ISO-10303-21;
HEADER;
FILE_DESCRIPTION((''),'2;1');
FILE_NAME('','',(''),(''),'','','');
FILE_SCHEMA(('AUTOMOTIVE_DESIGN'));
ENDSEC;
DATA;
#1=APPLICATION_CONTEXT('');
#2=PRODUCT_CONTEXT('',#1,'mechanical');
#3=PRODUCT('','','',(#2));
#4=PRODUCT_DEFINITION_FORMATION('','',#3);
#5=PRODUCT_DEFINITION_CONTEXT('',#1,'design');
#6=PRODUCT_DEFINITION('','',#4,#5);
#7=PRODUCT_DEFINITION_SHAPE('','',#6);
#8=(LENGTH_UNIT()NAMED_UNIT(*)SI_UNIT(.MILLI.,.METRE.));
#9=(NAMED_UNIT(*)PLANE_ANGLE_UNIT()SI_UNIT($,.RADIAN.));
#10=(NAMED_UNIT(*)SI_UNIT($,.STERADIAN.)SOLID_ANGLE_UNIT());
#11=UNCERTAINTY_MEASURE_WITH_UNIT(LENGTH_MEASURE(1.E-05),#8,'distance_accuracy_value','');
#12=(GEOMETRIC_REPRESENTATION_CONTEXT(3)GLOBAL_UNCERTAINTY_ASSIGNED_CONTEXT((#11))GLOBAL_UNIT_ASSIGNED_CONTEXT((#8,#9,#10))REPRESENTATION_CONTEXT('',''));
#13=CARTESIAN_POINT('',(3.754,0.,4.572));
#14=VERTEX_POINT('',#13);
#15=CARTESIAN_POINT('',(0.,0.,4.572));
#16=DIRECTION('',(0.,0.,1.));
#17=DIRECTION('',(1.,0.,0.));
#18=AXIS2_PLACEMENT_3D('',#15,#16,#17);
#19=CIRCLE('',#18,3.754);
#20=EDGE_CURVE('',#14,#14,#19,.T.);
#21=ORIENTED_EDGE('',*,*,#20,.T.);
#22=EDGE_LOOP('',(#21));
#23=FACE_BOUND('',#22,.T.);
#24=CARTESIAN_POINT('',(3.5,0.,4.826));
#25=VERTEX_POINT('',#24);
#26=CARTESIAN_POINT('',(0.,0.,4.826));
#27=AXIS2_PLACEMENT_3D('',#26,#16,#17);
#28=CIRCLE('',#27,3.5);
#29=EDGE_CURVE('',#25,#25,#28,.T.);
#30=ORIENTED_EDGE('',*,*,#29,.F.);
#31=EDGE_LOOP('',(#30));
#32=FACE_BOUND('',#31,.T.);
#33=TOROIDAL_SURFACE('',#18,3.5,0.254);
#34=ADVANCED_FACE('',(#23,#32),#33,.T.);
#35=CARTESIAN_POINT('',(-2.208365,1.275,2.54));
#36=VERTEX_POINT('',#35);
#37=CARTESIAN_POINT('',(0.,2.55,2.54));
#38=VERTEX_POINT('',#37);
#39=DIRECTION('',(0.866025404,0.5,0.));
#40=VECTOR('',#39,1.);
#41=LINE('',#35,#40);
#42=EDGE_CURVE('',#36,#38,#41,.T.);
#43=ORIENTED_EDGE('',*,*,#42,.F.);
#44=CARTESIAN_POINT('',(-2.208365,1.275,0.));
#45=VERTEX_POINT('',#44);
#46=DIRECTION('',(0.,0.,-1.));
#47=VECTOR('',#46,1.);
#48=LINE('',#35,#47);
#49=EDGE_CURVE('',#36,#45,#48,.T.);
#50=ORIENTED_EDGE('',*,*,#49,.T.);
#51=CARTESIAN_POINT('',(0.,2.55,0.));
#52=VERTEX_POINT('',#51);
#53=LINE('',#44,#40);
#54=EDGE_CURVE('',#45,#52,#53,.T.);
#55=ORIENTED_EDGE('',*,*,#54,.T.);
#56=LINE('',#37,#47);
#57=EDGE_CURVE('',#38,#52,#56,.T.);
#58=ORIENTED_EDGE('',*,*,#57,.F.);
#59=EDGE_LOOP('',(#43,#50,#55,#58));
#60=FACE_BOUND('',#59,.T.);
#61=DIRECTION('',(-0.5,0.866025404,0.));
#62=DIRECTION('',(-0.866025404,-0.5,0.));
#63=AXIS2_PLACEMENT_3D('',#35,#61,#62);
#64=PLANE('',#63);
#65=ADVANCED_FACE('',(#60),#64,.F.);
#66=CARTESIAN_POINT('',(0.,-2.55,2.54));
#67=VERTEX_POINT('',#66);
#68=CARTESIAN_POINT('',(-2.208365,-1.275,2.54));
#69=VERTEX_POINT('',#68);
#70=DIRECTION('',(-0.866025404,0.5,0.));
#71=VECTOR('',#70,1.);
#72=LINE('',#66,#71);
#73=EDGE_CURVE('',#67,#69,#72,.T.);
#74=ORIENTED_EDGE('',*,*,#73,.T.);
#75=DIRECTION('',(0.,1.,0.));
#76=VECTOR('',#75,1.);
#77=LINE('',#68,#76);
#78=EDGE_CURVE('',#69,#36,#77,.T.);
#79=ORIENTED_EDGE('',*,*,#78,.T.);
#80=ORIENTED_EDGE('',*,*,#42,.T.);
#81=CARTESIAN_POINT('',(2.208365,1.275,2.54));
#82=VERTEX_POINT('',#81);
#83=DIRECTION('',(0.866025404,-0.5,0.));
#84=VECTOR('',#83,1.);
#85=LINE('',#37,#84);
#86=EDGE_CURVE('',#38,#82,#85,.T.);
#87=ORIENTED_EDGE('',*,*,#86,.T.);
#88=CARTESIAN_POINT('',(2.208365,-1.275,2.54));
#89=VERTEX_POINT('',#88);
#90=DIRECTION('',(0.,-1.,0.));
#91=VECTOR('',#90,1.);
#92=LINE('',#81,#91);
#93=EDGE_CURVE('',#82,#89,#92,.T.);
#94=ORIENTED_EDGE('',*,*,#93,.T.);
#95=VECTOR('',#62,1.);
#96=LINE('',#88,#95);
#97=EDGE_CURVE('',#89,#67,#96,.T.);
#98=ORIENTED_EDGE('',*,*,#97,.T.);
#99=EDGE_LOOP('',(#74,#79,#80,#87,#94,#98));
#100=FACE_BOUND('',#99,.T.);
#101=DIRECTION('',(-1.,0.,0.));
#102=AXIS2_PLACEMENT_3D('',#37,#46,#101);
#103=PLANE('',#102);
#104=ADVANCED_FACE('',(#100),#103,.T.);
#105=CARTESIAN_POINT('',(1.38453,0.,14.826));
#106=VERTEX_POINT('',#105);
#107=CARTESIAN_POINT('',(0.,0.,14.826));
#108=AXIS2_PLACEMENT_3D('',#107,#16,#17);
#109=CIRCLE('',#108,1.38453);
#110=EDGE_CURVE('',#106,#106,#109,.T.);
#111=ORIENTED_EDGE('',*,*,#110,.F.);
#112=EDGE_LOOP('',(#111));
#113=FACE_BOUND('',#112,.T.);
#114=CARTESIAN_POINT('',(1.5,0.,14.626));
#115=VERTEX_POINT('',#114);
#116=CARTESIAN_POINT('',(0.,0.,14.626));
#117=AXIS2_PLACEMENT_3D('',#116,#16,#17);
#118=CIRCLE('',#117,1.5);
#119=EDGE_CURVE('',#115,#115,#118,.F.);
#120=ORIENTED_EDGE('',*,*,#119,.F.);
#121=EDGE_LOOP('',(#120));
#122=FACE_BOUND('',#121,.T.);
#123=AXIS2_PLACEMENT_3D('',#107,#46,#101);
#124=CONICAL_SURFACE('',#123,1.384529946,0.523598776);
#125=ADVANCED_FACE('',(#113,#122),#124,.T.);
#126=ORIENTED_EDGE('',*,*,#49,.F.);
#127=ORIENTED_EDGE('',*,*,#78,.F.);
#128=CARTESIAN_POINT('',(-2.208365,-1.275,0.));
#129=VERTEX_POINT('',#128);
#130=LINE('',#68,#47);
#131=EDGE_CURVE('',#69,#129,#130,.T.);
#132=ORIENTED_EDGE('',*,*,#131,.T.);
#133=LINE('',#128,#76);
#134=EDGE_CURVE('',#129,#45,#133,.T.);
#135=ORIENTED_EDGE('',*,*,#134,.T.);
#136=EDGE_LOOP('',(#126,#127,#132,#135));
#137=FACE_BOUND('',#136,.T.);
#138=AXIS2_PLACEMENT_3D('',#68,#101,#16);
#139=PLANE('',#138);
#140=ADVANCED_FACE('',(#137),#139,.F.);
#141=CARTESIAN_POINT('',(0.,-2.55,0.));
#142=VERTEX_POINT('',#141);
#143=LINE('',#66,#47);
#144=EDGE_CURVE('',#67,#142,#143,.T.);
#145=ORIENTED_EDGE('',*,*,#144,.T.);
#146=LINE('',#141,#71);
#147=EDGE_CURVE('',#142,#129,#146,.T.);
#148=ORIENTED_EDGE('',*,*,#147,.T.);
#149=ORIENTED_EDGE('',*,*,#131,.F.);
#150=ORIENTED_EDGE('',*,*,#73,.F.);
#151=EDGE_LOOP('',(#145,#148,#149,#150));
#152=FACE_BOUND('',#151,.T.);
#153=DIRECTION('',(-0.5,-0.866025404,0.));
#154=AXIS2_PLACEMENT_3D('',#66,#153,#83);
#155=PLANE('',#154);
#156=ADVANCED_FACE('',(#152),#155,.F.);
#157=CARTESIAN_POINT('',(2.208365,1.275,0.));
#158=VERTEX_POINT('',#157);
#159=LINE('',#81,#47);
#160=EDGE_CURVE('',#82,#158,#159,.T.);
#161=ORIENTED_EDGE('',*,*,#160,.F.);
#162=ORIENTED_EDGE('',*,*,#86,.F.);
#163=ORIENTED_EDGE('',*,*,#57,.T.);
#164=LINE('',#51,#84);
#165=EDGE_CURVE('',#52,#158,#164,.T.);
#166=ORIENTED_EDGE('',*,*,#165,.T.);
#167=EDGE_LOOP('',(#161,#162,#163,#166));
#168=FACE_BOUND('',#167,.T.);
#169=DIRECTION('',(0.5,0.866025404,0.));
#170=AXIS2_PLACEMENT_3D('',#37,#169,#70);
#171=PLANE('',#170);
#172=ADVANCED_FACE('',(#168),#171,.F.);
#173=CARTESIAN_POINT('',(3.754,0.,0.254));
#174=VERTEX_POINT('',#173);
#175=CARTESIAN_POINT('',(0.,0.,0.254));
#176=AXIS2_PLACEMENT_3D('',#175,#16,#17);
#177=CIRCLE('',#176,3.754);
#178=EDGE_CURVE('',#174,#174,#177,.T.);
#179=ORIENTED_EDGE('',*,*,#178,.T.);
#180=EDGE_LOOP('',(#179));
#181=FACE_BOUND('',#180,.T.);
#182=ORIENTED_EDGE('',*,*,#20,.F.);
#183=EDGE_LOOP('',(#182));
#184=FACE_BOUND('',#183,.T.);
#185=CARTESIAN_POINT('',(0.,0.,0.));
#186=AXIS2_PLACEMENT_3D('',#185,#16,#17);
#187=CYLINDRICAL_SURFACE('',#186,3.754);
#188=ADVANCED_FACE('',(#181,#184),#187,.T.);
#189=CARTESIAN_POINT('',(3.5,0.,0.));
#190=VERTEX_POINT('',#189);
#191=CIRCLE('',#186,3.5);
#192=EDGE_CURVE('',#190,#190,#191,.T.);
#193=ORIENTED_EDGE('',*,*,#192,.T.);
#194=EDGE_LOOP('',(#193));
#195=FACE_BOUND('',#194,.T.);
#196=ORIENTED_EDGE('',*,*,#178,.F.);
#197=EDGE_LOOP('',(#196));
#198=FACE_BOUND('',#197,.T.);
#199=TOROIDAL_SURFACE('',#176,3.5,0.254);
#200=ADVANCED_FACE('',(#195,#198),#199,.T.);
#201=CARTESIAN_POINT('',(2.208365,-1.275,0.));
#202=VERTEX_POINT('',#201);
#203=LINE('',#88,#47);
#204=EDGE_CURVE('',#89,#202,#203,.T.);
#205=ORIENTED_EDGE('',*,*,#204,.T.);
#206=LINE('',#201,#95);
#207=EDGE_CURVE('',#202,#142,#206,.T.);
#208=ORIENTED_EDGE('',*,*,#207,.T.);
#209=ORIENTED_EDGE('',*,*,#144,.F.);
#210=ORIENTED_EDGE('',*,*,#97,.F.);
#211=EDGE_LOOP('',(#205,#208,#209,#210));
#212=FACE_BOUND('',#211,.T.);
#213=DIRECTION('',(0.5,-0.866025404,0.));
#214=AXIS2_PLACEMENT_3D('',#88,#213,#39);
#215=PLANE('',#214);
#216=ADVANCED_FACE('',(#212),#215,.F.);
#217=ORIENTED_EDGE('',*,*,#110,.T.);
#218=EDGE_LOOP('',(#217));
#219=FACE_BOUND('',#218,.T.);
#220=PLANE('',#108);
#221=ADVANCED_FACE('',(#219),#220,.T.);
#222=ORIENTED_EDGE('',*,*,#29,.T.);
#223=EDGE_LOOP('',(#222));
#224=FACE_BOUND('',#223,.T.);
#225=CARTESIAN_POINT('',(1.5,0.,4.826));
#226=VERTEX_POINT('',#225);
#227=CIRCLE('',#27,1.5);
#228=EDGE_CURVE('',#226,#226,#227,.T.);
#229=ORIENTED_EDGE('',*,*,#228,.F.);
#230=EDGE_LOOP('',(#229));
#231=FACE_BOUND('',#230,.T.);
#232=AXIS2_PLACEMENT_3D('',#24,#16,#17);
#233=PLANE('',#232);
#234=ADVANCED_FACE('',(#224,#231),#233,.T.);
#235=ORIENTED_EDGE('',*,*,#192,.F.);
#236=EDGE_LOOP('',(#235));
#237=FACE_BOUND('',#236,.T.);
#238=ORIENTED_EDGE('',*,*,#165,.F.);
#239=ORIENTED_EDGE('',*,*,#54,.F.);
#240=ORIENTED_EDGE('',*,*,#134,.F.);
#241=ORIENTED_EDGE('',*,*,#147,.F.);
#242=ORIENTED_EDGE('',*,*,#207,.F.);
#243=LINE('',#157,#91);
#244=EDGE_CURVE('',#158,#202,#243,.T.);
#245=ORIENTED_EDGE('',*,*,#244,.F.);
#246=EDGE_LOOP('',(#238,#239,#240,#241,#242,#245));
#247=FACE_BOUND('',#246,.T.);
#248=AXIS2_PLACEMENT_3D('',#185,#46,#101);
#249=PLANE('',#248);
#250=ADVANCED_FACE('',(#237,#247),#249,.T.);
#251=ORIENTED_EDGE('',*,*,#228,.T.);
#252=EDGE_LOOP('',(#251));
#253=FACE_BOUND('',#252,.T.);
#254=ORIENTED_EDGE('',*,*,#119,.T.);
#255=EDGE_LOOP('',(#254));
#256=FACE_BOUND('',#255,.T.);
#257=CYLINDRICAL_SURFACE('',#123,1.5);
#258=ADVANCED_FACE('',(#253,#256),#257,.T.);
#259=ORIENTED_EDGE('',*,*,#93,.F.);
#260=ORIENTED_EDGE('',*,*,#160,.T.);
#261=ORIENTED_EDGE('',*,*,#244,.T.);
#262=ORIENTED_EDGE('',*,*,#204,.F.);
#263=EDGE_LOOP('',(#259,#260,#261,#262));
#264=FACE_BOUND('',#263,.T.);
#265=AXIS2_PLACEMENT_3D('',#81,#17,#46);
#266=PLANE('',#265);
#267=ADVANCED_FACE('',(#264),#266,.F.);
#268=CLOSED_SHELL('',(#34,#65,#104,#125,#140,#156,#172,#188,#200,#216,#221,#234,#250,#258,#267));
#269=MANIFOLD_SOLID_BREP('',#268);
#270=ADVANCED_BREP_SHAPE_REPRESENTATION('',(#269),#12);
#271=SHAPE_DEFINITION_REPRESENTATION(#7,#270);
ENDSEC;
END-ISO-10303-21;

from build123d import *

# Parameters (mm, degrees)
CUT_EXTRUDE1_DEPTH  = 2.54
SKETCH3_R           = 1.5
BOSS_EXTRUDE1_DEPTH = 10
CHAMFER1_SIZE       = 0.2
CHAMFER1_SIZE2      = 0.115470054


with BuildPart() as part:
    # Sketch1 → Revolve1 (revolve)
    with BuildSketch(Plane(origin=(0, 0, 0), x_dir=(1, 0, 0), z_dir=(0, 1, 0))):
        with BuildLine():
            Line((0, 0), (3.5, 0))
            ThreePointArc((3.5, 0), (3.679605122, -0.074394878), (3.754, -0.254))
            Line((3.754, -0.254), (3.754, -4.572))
            ThreePointArc((3.754, -4.572), (3.679605122, -4.751605122), (3.5, -4.826))
            Line((3.5, -4.826), (0, -4.826))
            Line((0, -4.826), (0, 0))
        make_face()
    revolve(axis=Axis((0, 0, 0), (0, 0, -1)))

    # Sketch2 → Cut-Extrude1 (cut)
    with BuildSketch(Plane(origin=(0, 0, 0), x_dir=(-1, 0, 0), z_dir=(0, 0, -1))):
        Polygon((0, 2.55), (-2.20836478, 1.275), (-2.20836478, -1.275), (0, -2.55), (2.20836478, -1.275), (2.20836478, 1.275), align=None)
    extrude(amount=-CUT_EXTRUDE1_DEPTH, mode=Mode.SUBTRACT)

    # Sketch3 → Boss-Extrude1 (add)
    with BuildSketch(Plane.XY.offset(4.826)):
        Circle(SKETCH3_R)
    extrude(amount=BOSS_EXTRUDE1_DEPTH)

    # Chamfer1
    chamfer1_edges = [part.edges().sort_by_distance(p)[0] for p in [
        (-1.5, 0, 14.826),
    ]]
    chamfer1_side = [part.faces().sort_by_distance(p)[0] for p in [
        (-1.5, 0, 9.826),
    ]]
    chamfer(chamfer1_edges, length=CHAMFER1_SIZE, length2=CHAMFER1_SIZE2, reference=chamfer1_side[0])


solid = part.part
